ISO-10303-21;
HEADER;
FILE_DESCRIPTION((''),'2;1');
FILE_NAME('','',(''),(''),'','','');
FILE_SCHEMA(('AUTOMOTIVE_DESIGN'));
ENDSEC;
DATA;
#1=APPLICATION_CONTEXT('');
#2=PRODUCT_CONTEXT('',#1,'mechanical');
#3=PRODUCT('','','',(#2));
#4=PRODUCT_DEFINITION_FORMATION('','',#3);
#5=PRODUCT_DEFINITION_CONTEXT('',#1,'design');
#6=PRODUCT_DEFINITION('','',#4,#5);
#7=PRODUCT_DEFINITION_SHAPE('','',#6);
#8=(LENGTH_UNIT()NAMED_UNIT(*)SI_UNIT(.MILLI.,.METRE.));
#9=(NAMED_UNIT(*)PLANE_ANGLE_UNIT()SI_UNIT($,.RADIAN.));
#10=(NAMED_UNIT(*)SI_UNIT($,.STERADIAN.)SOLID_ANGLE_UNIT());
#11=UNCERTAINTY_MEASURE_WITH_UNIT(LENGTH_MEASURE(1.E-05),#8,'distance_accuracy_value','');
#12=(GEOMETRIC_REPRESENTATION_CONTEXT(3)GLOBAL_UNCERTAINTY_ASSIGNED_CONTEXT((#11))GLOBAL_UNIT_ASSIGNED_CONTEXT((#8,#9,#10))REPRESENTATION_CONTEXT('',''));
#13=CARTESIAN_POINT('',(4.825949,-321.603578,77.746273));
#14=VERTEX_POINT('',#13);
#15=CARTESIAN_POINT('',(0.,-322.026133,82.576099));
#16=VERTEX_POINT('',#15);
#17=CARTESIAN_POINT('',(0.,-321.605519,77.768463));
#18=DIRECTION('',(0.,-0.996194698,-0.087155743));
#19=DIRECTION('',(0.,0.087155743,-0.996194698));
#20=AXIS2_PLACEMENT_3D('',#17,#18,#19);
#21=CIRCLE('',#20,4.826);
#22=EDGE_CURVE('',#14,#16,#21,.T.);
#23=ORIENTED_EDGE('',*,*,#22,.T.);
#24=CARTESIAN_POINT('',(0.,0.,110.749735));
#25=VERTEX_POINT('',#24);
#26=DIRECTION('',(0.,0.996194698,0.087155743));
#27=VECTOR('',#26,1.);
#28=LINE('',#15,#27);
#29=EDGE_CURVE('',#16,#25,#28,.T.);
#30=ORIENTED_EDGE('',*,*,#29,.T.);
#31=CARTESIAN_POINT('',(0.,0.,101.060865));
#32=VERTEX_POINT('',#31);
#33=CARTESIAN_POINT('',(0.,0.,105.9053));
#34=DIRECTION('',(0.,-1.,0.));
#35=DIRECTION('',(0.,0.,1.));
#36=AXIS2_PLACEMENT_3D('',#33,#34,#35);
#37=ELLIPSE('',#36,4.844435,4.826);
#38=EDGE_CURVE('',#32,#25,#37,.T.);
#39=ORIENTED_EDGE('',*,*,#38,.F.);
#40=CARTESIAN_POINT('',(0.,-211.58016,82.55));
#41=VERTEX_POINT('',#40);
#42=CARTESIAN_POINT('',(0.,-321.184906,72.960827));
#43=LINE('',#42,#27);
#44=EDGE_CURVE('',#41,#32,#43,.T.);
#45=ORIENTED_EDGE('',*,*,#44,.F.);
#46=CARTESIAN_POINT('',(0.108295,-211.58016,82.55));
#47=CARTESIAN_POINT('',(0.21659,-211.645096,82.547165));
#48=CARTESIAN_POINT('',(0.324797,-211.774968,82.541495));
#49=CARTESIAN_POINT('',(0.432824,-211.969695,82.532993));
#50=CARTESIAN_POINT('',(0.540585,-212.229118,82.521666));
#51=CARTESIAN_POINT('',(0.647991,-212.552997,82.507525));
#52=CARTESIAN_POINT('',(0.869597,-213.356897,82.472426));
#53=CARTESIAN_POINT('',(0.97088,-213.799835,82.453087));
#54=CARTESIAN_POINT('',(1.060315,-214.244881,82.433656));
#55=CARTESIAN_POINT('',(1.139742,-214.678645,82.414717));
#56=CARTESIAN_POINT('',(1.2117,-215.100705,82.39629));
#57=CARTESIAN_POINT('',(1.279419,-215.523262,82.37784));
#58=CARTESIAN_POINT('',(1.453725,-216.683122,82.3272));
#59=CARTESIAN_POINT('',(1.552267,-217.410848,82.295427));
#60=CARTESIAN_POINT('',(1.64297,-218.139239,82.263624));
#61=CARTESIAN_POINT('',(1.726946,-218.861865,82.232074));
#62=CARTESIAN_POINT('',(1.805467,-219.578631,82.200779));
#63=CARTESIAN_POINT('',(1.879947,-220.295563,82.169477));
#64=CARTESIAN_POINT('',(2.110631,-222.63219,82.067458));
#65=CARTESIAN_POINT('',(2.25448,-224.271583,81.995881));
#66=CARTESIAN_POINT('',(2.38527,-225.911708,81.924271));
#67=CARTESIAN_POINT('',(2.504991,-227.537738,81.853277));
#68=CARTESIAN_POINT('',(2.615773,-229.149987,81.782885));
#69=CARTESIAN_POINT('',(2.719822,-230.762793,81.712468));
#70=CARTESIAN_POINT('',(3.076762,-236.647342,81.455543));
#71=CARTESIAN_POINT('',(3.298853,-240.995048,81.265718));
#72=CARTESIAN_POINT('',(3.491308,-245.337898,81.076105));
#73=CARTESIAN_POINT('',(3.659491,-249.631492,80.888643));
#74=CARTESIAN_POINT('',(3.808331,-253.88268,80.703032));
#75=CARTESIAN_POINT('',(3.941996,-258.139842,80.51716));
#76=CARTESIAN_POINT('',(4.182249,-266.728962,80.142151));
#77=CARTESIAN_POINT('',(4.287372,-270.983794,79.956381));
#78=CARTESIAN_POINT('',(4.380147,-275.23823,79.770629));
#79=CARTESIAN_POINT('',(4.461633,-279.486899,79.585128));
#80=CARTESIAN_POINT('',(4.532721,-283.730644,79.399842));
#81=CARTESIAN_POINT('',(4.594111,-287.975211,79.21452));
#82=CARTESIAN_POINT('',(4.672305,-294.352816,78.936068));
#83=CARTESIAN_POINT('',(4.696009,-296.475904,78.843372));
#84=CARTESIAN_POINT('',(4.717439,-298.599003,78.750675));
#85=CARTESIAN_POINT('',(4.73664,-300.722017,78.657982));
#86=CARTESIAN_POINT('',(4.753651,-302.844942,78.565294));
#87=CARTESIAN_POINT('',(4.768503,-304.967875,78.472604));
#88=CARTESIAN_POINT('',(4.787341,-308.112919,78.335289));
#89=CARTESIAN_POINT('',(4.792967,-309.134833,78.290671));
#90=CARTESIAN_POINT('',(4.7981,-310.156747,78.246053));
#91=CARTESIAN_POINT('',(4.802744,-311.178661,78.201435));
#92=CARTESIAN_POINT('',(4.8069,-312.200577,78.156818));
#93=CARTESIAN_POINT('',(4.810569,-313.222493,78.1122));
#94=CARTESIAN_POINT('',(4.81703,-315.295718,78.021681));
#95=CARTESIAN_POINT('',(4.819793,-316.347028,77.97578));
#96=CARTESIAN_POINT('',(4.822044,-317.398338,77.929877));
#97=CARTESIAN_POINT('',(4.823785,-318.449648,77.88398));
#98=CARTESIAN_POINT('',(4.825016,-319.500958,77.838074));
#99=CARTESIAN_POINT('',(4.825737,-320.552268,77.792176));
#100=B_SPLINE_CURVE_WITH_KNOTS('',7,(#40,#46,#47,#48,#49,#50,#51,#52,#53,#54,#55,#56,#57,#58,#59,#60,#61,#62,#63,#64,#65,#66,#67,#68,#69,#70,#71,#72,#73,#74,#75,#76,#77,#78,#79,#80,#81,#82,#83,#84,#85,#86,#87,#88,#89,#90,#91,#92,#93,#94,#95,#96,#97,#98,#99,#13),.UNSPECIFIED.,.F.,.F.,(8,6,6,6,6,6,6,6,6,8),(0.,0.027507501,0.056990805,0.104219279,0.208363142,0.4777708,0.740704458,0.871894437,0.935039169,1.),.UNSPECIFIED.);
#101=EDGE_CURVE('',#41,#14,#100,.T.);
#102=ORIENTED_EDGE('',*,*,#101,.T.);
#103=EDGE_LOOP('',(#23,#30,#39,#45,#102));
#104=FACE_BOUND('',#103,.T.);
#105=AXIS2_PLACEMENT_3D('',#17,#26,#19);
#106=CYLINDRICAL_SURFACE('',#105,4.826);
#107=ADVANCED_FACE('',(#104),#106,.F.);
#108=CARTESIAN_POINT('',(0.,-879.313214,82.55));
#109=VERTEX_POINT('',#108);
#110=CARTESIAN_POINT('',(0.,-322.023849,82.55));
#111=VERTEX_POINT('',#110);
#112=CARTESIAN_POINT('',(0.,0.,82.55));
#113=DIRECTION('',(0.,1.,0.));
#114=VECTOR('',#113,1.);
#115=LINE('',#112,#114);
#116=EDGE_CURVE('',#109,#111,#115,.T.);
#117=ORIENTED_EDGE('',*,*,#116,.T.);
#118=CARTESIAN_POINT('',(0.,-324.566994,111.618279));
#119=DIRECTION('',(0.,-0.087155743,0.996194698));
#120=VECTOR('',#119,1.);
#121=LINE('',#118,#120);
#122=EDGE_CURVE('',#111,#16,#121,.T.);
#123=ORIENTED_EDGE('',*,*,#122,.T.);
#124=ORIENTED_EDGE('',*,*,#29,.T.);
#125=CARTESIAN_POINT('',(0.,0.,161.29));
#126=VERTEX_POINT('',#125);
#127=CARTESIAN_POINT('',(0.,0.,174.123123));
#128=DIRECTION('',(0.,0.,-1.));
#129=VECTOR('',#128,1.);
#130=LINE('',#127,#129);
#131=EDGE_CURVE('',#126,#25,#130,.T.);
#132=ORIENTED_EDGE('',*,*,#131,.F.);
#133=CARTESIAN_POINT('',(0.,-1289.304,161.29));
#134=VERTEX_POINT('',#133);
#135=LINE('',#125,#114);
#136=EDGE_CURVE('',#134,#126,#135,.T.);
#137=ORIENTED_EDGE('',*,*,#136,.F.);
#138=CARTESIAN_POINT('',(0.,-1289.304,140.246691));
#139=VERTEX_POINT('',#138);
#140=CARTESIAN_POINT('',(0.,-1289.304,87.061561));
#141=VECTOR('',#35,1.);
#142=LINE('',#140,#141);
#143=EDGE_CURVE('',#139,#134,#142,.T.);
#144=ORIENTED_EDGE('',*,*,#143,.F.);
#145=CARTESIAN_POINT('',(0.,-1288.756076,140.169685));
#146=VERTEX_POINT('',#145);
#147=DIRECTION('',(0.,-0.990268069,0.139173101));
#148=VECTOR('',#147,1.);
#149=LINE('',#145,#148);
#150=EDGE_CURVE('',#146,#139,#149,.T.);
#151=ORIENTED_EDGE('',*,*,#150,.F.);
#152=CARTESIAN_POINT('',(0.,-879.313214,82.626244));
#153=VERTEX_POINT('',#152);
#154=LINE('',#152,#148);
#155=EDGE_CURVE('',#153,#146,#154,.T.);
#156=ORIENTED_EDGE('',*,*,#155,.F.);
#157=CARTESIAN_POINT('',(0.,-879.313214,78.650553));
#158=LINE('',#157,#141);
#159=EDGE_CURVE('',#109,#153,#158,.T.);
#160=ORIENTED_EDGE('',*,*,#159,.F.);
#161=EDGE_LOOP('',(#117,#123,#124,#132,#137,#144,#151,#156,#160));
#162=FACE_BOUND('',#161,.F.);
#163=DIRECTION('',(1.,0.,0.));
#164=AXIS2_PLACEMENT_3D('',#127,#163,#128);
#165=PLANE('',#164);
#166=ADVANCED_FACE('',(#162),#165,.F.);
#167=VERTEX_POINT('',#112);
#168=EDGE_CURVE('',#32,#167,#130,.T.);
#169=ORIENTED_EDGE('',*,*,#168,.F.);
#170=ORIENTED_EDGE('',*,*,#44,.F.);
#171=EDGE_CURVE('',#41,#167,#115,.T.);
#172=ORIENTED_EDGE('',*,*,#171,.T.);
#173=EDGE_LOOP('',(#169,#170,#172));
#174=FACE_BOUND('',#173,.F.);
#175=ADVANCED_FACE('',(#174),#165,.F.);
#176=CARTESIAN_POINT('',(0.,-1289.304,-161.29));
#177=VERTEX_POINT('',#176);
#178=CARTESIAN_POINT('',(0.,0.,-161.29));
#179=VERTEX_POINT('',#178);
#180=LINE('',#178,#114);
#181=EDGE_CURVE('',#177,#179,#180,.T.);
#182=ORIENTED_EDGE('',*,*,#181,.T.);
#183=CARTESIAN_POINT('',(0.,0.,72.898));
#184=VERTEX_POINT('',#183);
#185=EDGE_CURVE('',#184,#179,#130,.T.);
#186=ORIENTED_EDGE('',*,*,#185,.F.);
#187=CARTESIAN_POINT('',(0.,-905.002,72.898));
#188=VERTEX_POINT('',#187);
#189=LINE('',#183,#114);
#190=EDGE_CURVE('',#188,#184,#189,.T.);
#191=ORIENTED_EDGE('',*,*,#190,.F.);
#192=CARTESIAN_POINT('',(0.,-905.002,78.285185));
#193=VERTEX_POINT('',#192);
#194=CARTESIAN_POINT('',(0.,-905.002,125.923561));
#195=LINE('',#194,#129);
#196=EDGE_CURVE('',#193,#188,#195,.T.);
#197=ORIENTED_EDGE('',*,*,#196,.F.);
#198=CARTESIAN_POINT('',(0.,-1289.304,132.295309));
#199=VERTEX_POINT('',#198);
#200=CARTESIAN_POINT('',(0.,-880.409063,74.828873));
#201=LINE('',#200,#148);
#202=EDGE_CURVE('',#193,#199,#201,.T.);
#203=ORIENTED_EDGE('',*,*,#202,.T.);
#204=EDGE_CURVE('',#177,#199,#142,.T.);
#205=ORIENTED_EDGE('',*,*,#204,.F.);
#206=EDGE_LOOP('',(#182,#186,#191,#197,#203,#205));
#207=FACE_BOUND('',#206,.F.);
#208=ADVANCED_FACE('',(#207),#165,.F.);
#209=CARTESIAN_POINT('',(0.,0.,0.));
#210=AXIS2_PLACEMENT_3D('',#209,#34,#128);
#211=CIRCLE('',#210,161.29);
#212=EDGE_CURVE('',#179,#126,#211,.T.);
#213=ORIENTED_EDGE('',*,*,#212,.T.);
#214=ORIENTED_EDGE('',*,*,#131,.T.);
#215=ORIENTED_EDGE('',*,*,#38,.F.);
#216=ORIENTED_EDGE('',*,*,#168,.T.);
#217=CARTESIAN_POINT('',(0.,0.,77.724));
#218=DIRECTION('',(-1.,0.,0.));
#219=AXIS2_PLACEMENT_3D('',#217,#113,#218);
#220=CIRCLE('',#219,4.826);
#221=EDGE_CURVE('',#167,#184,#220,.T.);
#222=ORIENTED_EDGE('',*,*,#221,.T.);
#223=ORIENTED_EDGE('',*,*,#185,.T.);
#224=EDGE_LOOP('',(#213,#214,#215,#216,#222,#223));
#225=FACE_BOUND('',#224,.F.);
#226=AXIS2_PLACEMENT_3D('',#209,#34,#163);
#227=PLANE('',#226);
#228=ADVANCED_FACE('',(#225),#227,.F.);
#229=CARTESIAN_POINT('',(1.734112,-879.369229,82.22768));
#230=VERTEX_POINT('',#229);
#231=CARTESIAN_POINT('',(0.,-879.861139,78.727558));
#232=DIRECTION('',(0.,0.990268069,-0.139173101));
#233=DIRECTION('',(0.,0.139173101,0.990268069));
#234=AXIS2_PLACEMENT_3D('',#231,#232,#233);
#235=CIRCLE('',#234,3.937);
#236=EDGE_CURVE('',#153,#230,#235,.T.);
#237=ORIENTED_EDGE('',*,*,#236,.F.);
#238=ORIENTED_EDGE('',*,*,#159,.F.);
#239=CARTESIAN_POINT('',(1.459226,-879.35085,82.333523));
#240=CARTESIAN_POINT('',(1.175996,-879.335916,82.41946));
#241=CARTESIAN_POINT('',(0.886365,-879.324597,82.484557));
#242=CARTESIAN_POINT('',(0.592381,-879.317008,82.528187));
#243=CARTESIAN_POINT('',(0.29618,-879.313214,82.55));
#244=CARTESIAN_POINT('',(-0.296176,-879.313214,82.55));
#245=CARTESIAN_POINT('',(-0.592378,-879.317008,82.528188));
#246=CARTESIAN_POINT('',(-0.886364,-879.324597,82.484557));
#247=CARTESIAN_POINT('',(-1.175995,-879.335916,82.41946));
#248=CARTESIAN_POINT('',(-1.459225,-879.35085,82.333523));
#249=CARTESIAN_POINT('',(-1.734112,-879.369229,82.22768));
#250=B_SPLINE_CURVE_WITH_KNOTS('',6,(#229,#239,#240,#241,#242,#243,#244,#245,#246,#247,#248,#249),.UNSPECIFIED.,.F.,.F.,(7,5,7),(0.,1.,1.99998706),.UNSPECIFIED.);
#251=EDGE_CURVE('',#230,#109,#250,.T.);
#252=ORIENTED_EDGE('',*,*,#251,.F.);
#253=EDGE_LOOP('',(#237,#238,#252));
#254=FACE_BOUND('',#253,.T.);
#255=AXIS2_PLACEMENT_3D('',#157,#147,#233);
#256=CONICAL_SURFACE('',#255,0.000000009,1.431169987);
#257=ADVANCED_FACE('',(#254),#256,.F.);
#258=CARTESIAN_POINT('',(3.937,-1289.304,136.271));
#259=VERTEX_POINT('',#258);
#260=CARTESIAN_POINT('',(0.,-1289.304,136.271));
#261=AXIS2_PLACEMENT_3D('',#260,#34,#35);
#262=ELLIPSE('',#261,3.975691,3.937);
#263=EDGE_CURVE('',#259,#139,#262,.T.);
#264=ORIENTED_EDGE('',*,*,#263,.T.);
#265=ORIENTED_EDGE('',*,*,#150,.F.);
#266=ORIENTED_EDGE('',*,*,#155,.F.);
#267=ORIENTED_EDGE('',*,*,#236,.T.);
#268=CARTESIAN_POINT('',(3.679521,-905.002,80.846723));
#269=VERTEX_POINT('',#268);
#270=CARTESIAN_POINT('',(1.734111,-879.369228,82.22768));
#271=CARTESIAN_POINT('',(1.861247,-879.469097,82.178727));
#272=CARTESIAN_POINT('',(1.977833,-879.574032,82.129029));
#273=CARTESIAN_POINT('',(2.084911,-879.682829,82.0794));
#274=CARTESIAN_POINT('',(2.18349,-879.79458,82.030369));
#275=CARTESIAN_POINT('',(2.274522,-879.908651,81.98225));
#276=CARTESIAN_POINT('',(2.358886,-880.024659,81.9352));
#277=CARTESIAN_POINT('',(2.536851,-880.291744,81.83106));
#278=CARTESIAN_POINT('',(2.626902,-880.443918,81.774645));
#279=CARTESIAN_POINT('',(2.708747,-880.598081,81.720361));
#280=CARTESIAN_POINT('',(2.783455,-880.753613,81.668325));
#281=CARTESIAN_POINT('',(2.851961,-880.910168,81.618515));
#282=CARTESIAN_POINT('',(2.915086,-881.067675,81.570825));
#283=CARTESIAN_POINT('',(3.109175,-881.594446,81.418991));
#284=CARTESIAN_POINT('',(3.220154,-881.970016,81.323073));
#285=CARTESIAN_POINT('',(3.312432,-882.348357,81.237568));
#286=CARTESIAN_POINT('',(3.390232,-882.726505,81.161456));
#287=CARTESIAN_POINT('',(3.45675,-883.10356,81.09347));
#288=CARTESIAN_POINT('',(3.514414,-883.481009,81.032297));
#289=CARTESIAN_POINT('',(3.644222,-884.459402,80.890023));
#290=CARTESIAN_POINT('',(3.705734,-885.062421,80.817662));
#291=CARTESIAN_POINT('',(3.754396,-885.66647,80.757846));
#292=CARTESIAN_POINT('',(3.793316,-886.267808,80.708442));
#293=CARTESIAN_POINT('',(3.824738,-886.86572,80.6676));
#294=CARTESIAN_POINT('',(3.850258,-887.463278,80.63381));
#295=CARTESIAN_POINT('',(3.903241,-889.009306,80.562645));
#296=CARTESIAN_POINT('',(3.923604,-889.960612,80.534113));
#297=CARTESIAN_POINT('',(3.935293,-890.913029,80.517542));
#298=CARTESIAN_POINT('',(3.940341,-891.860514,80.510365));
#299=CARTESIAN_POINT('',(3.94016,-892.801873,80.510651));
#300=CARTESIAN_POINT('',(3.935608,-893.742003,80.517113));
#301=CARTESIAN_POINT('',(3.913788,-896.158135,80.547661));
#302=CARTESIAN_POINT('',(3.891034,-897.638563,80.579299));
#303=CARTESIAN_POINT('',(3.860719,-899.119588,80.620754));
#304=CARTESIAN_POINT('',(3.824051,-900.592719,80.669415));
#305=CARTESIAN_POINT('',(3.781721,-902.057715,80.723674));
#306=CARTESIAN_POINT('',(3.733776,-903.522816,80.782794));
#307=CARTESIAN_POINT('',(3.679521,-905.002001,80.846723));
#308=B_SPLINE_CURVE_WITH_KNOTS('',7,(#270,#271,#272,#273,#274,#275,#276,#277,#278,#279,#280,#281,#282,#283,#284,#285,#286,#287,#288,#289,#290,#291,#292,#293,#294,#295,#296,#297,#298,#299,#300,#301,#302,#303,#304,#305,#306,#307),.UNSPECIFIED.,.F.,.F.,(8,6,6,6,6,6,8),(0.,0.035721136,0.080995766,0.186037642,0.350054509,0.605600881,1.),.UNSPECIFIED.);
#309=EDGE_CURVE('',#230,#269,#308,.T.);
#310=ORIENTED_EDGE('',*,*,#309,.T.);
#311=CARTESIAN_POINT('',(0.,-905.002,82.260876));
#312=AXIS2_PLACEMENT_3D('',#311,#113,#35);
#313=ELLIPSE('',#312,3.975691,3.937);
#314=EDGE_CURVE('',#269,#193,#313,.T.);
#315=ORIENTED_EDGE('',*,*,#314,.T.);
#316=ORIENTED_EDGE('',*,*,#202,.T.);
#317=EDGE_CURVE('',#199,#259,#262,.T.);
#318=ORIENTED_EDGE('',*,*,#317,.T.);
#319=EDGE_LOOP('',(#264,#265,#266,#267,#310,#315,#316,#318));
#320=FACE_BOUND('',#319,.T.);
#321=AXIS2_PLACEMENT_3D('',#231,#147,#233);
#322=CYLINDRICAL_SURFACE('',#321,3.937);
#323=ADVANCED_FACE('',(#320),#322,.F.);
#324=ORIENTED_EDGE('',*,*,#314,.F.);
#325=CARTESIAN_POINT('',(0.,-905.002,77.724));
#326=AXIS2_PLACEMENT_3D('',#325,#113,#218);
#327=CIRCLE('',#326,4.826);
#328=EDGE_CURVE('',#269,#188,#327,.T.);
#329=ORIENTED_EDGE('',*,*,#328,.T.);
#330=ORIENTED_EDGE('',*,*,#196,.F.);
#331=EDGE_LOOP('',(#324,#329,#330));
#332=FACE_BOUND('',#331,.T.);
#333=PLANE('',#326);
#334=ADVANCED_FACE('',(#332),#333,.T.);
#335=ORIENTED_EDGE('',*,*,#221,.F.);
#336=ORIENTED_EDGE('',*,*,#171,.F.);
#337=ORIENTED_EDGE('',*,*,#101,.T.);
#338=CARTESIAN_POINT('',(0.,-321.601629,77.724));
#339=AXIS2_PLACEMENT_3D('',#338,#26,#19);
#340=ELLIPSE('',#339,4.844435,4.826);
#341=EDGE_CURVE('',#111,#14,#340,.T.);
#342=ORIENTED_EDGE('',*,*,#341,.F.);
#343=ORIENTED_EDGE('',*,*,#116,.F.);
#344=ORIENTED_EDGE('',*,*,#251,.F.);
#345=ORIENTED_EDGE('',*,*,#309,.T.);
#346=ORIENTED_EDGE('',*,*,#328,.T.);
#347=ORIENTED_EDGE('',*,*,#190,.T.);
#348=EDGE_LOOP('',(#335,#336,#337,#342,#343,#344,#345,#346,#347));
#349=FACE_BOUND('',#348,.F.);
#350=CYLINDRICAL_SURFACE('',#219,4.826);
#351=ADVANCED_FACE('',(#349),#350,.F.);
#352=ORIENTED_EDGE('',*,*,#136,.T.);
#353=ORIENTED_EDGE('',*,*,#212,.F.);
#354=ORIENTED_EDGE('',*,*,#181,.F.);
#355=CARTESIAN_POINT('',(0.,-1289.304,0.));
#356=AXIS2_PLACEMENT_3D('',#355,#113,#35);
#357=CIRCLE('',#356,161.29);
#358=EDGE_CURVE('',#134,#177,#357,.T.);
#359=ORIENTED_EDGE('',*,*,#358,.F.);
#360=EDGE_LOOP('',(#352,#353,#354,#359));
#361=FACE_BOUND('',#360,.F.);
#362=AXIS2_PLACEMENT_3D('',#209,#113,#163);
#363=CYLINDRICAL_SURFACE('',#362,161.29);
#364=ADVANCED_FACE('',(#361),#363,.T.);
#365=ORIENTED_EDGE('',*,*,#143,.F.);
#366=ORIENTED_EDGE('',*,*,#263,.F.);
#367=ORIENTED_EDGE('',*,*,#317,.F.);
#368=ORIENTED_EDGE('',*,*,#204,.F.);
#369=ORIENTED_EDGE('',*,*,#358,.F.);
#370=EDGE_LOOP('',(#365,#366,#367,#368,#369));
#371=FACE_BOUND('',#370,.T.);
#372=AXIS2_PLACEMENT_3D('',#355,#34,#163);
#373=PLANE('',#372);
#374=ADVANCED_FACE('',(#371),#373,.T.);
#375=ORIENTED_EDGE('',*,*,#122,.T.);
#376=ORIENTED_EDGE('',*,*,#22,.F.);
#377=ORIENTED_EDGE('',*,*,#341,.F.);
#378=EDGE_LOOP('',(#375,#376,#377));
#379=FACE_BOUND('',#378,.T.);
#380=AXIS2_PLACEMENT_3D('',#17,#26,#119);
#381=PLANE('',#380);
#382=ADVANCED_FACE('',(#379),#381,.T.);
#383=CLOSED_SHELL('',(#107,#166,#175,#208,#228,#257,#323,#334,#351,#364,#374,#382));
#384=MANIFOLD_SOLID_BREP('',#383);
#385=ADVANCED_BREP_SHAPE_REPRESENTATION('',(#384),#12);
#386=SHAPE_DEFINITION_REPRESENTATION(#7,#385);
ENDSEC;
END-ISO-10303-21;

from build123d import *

# Parameters (mm, degrees)
F0_R     = 161.29
F1_DEPTH = 1289.304
F2_R     = 4.826
F3_DEPTH = 905.002
F8_DEPTH = 1323.34


with BuildPart() as f1:
    # F0 (on Front) → F1 (new body)
    with BuildSketch(Plane.XZ):
        Circle(F0_R)
    extrude(amount=F1_DEPTH)

    # F2 (on face) → F3 (cut)
    with BuildSketch(Plane(origin=(0, 0, 0), x_dir=(-1, 0, 0), z_dir=(0, 1, 0))):
        with Locations((0, 77.724)):
            Circle(F2_R)
    extrude(amount=-F3_DEPTH, mode=Mode.SUBTRACT)

    # F4 (on Right) → F5 (revolve, cut)
    with BuildSketch(Plane.YZ):
        Polygon((-1291.5896564596, 140.5679192197), (-1289.304, 136.271), (-879.3132141796, 78.6505527405), (-879.3132141796, 82.6262438935), (-1288.7560755015, 140.1696853866), align=None)
    revolve(axis=Axis((0, -1084.3086070898, 107.4607763703), (0, 0.9902680687, -0.139173101)), mode=Mode.SUBTRACT)

    # F7 (on face) → F8 (cut)
    with BuildSketch(Plane(origin=(0, 0, 0), x_dir=(-1, 0, 0), z_dir=(0, 1, 0))):
        Polygon((88.3945971727, 168.1389510632), (0, 174.1231227369), (0, -186.8681758642), (195.7223266363, -99.0545749664), (195.7223266363, 72.0693692565), align=None)
    extrude(amount=-F8_DEPTH, mode=Mode.SUBTRACT)

    # F6 (on Right) → F9 (revolve, cut)
    with BuildSketch(Plane.YZ):
        Polygon((36.6785619574, 104.2698238297), (36.2579483429, 109.0774594427), (-321.6055191638, 77.7684629458), (-321.1849055493, 72.9608273328), align=None)
    revolve(axis=Axis((0, -142.6737854104, 93.4229611943), (0, -0.9961946981, -0.0871557427)), mode=Mode.SUBTRACT)


solid = f1.part
